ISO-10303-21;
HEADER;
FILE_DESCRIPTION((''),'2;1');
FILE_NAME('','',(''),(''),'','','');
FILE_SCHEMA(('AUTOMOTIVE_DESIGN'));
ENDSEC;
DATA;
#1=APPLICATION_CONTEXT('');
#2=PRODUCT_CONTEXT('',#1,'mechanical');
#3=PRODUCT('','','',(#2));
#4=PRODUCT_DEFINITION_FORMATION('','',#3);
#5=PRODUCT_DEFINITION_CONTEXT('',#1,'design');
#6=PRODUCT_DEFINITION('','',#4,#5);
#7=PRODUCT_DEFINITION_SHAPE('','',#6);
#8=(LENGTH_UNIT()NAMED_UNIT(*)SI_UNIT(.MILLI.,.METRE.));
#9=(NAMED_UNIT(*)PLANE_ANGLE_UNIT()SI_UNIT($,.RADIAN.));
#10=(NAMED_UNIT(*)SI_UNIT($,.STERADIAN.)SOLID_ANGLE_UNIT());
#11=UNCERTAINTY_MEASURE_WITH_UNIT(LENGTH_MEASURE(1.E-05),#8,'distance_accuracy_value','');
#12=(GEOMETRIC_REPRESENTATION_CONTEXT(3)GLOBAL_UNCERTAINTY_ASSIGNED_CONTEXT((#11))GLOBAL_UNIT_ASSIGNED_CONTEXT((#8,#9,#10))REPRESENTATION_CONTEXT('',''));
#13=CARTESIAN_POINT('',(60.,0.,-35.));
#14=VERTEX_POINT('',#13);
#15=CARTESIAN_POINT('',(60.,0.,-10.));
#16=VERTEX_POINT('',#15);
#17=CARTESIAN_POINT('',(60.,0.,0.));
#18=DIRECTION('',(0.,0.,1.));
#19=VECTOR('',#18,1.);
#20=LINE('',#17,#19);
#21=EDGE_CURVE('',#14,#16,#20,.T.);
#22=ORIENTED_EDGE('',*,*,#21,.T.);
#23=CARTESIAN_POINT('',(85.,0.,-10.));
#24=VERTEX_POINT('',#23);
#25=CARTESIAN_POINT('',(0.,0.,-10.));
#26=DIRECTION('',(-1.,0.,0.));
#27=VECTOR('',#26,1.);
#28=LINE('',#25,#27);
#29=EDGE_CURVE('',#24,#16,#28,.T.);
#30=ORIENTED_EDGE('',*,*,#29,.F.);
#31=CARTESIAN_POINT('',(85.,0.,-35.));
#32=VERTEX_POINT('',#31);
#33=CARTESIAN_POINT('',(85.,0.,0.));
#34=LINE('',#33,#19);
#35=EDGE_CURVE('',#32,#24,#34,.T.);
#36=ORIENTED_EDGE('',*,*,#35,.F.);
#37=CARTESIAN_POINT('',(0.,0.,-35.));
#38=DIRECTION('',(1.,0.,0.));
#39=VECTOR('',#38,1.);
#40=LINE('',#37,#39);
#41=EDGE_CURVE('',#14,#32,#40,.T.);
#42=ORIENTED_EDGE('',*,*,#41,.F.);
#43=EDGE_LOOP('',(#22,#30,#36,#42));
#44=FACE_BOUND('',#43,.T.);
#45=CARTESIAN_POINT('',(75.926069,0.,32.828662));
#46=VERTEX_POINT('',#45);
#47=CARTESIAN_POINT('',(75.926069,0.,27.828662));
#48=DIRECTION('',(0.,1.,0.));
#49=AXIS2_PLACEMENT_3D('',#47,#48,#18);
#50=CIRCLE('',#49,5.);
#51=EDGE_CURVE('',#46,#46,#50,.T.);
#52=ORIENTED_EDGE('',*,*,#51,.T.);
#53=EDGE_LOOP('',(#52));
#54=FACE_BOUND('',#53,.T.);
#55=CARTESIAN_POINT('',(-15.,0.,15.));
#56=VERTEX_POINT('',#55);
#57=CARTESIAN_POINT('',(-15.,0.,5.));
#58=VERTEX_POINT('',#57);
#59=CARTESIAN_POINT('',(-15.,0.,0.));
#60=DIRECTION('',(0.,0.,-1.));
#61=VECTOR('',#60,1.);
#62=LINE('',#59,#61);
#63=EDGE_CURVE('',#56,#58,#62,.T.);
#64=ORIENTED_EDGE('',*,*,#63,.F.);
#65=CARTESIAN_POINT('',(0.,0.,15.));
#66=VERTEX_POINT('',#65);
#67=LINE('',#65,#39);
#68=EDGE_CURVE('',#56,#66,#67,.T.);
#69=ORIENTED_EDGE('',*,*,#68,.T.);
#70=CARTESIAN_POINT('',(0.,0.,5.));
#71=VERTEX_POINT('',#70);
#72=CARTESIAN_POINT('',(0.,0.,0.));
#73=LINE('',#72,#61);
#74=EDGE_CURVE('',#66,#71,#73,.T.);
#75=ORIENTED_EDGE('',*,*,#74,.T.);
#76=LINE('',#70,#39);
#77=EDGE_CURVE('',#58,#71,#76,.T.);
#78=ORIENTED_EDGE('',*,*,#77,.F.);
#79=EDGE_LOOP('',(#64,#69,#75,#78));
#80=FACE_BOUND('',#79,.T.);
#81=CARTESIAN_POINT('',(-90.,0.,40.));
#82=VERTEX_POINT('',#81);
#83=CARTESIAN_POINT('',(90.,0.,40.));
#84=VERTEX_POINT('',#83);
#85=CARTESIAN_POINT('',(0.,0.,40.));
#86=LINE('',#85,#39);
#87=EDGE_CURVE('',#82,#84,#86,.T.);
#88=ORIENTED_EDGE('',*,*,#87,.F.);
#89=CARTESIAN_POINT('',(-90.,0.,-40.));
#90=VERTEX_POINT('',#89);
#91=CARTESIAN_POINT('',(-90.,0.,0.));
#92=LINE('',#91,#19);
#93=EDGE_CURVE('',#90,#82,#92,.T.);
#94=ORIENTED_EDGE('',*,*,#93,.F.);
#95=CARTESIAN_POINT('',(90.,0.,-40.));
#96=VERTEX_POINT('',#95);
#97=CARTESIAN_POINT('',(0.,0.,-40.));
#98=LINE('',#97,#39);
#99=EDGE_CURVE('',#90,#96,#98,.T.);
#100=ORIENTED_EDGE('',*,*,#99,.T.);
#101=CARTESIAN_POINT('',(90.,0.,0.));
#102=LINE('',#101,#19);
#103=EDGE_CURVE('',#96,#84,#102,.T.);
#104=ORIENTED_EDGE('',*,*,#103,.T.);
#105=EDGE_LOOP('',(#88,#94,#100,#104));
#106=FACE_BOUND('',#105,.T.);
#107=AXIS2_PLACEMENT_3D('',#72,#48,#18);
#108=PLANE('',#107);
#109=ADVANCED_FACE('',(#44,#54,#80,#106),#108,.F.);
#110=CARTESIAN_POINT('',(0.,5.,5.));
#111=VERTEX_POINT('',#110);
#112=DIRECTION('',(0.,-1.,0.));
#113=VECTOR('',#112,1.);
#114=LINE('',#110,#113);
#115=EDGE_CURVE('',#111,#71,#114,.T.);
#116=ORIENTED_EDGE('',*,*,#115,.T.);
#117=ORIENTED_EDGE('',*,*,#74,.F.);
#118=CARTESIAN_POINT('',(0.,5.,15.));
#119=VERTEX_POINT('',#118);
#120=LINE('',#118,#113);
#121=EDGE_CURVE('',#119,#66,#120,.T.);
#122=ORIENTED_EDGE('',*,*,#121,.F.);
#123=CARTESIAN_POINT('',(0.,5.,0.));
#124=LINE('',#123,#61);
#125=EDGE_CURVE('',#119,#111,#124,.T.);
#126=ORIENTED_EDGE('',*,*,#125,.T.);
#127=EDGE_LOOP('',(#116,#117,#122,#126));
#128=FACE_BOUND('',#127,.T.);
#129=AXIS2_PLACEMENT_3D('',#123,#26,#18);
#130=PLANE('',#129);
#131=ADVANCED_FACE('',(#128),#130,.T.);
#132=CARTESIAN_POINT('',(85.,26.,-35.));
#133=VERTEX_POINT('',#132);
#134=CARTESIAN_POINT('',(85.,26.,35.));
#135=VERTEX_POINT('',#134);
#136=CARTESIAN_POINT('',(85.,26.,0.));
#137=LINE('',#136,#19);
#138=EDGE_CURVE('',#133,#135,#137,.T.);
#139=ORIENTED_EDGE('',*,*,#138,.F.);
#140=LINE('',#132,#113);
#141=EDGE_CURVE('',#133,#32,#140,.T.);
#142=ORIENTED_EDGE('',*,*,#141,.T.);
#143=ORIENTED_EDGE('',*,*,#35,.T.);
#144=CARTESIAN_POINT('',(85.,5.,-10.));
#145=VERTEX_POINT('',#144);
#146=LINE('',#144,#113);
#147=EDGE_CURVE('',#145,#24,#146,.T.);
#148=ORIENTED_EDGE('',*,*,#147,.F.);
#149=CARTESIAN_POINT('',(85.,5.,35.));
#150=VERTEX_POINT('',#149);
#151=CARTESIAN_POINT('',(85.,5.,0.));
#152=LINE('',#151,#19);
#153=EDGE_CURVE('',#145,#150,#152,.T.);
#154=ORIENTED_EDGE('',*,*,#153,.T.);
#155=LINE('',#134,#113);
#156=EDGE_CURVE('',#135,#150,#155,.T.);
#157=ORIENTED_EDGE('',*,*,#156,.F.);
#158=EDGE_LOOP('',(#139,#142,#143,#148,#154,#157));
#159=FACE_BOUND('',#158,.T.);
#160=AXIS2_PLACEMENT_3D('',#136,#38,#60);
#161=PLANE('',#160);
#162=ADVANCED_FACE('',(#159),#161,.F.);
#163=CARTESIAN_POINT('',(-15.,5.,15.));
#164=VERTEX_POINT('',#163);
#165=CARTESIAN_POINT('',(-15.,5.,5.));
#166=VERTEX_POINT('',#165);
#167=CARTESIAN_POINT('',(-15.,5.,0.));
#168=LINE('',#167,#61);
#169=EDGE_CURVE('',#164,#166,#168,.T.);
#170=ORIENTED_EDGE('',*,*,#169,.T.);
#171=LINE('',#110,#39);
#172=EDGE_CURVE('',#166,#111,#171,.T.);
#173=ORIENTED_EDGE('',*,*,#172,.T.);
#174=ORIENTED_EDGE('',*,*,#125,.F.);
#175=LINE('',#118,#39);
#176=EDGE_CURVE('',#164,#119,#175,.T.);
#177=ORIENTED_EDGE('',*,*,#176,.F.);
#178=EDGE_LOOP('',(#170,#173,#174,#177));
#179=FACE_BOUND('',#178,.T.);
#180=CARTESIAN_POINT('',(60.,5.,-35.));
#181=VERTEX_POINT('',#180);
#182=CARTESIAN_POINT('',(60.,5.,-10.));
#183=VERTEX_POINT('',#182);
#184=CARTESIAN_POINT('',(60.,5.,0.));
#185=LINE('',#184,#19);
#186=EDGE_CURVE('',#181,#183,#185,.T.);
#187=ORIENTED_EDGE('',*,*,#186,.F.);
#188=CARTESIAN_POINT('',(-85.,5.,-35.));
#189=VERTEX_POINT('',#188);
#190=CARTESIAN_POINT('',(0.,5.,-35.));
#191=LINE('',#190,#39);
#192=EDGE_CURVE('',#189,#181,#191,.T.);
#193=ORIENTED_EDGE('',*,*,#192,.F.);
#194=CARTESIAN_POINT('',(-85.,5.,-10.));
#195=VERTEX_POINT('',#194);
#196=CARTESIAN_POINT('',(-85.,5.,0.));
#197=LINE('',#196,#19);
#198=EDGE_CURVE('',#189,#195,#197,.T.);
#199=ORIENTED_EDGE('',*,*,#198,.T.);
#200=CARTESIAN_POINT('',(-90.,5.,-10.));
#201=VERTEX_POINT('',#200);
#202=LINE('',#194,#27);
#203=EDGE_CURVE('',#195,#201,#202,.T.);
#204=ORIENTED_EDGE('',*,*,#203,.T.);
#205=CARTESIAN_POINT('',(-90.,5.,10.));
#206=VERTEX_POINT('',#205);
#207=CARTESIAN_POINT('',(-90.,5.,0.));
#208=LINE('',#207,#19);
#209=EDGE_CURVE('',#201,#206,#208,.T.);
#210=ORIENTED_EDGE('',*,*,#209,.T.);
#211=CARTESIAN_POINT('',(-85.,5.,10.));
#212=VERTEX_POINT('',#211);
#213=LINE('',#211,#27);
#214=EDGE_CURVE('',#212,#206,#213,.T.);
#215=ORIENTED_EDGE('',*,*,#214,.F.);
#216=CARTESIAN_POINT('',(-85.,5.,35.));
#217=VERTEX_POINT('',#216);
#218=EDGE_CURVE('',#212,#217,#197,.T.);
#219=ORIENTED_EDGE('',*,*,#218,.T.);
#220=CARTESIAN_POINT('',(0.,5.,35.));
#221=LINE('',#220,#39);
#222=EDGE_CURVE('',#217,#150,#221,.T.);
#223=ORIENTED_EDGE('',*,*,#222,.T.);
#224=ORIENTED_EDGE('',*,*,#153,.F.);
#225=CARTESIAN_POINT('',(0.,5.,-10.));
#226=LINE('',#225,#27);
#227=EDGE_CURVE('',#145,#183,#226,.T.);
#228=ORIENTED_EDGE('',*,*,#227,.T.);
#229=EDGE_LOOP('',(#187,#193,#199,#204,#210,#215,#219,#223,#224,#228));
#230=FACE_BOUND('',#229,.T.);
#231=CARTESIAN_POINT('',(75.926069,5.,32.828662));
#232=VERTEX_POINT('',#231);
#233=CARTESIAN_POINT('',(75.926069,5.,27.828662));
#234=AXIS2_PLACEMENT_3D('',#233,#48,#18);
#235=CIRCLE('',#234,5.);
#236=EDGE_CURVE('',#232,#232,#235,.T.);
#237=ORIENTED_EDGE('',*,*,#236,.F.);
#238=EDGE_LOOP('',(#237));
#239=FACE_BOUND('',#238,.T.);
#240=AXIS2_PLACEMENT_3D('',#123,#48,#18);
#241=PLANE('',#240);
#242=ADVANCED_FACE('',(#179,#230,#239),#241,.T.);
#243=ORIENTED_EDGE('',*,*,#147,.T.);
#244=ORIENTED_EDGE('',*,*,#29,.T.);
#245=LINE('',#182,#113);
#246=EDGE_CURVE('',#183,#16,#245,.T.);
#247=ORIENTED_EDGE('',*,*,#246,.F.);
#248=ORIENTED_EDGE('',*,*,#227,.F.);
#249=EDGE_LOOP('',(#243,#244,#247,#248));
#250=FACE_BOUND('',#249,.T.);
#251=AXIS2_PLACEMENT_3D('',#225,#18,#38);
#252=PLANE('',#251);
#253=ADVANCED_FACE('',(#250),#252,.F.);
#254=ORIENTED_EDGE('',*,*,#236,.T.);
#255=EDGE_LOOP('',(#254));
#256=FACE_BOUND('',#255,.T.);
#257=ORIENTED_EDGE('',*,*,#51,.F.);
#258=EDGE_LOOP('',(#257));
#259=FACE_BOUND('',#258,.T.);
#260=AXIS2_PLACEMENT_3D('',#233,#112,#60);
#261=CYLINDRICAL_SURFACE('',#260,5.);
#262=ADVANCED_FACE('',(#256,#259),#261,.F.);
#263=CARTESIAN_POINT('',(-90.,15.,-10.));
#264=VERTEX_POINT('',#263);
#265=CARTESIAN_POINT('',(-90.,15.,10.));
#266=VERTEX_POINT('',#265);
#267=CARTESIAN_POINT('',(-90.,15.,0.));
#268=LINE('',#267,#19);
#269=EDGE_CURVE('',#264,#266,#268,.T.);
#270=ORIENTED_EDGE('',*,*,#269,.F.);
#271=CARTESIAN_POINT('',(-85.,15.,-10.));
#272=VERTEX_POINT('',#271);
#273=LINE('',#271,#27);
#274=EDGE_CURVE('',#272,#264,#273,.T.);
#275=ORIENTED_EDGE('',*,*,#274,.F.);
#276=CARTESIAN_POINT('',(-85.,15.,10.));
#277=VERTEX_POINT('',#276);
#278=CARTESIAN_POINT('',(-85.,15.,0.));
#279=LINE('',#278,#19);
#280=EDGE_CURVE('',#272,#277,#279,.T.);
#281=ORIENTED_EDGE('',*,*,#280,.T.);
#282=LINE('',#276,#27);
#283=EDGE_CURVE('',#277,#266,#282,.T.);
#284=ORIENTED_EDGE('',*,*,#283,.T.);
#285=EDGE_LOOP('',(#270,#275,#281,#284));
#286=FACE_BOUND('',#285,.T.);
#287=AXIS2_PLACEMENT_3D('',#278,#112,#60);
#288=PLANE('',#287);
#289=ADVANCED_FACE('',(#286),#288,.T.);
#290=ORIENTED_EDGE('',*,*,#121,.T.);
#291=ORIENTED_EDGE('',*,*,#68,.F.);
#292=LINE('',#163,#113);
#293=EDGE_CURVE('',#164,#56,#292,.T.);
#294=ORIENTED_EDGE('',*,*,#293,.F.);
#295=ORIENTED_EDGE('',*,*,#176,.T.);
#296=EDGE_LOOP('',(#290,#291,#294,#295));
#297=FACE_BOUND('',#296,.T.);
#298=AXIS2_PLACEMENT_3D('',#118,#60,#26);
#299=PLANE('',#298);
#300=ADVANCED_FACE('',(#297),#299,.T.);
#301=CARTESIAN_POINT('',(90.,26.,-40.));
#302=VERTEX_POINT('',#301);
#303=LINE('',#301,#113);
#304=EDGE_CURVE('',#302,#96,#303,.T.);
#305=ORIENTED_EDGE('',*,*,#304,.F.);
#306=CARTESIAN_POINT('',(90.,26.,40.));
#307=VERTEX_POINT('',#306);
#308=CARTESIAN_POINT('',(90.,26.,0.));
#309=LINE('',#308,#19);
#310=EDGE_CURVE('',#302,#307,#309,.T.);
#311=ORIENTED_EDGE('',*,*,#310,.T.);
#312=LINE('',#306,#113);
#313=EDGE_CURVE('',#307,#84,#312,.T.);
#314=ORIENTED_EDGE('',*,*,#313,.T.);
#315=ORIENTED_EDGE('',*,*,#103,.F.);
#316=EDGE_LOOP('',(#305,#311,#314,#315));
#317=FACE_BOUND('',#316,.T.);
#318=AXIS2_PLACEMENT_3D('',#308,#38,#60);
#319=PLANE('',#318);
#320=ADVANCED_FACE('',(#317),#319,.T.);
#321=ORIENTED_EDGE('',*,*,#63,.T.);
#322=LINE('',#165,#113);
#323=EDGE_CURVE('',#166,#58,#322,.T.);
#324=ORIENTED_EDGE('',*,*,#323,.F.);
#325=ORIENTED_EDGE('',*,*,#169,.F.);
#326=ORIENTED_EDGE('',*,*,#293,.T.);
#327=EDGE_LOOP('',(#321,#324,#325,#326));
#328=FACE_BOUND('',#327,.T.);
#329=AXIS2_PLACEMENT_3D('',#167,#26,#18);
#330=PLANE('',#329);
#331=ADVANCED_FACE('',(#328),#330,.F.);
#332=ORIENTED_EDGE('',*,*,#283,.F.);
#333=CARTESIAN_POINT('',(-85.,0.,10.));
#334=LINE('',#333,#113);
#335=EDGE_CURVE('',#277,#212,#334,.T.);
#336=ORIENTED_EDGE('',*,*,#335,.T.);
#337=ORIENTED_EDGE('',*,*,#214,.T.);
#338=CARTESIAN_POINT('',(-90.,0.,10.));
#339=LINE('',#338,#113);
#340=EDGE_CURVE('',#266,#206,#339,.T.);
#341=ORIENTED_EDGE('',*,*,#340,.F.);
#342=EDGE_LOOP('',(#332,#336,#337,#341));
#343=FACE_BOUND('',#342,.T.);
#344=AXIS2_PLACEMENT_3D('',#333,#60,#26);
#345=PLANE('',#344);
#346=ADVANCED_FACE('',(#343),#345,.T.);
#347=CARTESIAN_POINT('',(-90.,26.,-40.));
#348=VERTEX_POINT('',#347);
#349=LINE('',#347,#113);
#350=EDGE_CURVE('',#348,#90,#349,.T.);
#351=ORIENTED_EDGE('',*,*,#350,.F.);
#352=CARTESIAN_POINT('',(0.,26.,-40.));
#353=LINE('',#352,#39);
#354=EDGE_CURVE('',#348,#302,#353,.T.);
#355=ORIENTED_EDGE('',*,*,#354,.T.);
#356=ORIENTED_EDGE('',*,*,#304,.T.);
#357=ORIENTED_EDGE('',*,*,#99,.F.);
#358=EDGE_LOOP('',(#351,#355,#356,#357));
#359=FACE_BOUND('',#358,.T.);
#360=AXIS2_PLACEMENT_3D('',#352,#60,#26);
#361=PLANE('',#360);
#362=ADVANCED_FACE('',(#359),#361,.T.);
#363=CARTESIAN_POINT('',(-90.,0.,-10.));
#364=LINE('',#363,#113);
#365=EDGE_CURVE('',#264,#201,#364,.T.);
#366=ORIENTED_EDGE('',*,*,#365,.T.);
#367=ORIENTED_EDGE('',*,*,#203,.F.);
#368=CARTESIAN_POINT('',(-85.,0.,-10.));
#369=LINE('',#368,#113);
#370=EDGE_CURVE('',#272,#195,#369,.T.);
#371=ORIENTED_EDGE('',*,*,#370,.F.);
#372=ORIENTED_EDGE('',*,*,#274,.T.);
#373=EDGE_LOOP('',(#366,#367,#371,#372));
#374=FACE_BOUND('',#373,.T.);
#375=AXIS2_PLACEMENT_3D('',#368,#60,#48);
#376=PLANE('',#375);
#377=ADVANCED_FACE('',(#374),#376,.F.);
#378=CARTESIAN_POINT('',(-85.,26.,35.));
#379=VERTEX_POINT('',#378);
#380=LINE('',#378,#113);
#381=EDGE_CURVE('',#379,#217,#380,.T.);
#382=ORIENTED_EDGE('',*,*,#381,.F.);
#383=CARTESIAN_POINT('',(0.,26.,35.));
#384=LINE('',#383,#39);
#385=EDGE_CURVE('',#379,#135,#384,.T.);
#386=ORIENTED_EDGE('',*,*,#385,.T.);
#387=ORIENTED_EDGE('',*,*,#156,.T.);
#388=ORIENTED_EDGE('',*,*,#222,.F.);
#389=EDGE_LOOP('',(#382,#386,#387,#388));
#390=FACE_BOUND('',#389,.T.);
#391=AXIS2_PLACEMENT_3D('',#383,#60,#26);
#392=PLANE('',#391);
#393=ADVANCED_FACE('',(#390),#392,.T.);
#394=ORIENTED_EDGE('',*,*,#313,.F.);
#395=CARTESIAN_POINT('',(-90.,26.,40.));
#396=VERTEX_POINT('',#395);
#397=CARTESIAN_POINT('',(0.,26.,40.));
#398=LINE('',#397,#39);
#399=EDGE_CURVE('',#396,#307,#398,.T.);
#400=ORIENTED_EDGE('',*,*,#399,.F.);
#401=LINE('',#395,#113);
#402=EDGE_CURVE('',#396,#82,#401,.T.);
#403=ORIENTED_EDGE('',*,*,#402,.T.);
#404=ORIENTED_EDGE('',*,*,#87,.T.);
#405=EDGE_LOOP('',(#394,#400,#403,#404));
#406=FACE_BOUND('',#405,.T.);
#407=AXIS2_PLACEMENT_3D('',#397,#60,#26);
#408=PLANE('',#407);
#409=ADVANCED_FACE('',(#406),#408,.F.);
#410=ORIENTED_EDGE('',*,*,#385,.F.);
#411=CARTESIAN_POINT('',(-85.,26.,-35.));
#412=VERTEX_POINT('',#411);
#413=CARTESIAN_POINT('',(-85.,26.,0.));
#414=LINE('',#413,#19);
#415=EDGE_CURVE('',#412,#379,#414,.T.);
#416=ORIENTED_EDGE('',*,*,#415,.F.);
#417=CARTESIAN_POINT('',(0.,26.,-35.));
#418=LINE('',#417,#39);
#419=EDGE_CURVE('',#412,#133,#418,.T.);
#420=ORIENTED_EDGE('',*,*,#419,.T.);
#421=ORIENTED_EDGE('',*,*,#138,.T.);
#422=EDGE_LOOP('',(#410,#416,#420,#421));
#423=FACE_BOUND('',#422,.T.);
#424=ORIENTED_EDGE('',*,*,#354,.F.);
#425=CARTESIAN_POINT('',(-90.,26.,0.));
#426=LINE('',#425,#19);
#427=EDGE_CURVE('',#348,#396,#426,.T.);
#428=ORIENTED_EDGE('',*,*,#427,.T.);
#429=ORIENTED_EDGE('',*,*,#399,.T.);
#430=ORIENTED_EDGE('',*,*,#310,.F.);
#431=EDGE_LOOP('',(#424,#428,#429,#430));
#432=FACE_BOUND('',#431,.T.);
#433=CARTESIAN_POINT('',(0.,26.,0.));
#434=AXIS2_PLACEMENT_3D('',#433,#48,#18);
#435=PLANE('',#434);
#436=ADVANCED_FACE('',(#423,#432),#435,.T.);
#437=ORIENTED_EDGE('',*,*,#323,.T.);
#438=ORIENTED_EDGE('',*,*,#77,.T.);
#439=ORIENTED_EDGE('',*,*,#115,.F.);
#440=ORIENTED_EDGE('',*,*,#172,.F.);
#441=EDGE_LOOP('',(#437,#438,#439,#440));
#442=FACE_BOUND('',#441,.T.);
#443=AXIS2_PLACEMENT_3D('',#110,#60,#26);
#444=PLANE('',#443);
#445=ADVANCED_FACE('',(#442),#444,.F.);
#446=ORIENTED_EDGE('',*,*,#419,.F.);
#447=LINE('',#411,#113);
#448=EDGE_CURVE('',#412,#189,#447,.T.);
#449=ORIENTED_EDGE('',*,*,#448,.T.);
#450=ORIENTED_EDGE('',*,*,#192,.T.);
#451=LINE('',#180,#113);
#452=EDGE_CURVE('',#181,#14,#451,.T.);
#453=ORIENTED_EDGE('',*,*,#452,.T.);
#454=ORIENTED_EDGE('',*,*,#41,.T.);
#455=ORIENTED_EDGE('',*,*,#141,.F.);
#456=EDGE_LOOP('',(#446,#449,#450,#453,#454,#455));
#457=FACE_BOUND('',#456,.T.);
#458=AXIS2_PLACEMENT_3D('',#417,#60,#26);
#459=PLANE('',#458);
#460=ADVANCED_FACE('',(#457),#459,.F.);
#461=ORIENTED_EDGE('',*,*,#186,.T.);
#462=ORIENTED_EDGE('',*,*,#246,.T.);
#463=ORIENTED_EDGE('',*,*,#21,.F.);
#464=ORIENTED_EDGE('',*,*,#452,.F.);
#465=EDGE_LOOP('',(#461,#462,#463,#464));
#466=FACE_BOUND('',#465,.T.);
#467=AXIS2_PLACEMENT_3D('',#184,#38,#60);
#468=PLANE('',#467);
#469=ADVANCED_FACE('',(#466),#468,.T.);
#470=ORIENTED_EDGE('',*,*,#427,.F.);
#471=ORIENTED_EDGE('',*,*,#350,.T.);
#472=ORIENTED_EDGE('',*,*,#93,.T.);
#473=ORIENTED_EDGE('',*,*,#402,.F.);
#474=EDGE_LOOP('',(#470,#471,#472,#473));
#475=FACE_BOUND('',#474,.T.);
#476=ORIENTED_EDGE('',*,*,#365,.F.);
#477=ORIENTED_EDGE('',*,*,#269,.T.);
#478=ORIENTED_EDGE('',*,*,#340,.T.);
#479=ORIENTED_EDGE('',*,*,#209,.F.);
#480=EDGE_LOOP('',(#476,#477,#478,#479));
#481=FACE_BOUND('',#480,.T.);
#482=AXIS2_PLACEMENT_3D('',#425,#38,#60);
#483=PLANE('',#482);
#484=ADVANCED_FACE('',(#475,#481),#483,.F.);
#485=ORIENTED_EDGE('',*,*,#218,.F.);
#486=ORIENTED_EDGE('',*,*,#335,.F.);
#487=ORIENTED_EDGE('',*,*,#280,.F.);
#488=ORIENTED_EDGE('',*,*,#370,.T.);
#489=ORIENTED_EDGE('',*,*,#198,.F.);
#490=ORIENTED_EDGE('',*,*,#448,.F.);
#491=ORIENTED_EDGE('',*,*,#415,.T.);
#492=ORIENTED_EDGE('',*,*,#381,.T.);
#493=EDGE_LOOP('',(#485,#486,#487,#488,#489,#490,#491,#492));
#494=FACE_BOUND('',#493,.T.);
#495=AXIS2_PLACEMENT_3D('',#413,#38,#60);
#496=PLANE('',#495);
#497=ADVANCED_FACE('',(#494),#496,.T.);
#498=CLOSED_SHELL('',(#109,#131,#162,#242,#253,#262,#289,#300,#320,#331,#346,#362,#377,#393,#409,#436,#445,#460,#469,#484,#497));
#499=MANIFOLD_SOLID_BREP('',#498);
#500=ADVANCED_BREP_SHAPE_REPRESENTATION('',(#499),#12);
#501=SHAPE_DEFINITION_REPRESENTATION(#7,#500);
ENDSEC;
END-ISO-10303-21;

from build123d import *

# Parameters (mm, degrees)
SKETCH2_W           = 180
SKETCH2_H           = 80
BOSS_EXTRUDE1_DEPTH = 26
SKETCH2_4_W         = 15
SKETCH2_4_H         = 10
SKETCH2_4_R         = 5
BOSS_EXTRUDE2_DEPTH = 5
SKETCH3_W           = 20
SKETCH3_H           = 10
CUT_EXTRUDE1_DEPTH  = 5


with BuildPart() as part:
    # Sketch2 → Boss-Extrude1 (new body)
    with BuildSketch(Plane(origin=(0, 0, 0), x_dir=(1, 0, 0), z_dir=(0, 1, 0))):
        Rectangle(SKETCH2_W, SKETCH2_H)
        Polygon((60, -35), (-15, -35), (-85, -35), (-85, -15), (-85, 35), (60, 35), (85, 35), (85, 10), (85, -10), (85, -35), align=None, mode=Mode.SUBTRACT)
    extrude(amount=BOSS_EXTRUDE1_DEPTH)

    # Sketch2<4> → Boss-Extrude2 (add)
    with BuildSketch(Plane(origin=(0, 0, 0), x_dir=(1, 0, 0), z_dir=(0, 1, 0))):
        Polygon((-85, -35), (85, -35), (85, 10), (60, 10), (60, 35), (-85, 35), align=None)
        with Locations((-7.5, -10)):
            Rectangle(SKETCH2_4_W, SKETCH2_4_H, mode=Mode.SUBTRACT)
        with Locations((75.926069333, -27.828662368)):
            Circle(SKETCH2_4_R, mode=Mode.SUBTRACT)
    extrude(amount=BOSS_EXTRUDE2_DEPTH)

    # Sketch3 → Cut-Extrude1 (cut)
    with BuildSketch(Plane.ZY.offset(90)):
        with Locations((0, 10)):
            Rectangle(SKETCH3_W, SKETCH3_H)
    extrude(amount=-CUT_EXTRUDE1_DEPTH, mode=Mode.SUBTRACT)


solid = part.part
